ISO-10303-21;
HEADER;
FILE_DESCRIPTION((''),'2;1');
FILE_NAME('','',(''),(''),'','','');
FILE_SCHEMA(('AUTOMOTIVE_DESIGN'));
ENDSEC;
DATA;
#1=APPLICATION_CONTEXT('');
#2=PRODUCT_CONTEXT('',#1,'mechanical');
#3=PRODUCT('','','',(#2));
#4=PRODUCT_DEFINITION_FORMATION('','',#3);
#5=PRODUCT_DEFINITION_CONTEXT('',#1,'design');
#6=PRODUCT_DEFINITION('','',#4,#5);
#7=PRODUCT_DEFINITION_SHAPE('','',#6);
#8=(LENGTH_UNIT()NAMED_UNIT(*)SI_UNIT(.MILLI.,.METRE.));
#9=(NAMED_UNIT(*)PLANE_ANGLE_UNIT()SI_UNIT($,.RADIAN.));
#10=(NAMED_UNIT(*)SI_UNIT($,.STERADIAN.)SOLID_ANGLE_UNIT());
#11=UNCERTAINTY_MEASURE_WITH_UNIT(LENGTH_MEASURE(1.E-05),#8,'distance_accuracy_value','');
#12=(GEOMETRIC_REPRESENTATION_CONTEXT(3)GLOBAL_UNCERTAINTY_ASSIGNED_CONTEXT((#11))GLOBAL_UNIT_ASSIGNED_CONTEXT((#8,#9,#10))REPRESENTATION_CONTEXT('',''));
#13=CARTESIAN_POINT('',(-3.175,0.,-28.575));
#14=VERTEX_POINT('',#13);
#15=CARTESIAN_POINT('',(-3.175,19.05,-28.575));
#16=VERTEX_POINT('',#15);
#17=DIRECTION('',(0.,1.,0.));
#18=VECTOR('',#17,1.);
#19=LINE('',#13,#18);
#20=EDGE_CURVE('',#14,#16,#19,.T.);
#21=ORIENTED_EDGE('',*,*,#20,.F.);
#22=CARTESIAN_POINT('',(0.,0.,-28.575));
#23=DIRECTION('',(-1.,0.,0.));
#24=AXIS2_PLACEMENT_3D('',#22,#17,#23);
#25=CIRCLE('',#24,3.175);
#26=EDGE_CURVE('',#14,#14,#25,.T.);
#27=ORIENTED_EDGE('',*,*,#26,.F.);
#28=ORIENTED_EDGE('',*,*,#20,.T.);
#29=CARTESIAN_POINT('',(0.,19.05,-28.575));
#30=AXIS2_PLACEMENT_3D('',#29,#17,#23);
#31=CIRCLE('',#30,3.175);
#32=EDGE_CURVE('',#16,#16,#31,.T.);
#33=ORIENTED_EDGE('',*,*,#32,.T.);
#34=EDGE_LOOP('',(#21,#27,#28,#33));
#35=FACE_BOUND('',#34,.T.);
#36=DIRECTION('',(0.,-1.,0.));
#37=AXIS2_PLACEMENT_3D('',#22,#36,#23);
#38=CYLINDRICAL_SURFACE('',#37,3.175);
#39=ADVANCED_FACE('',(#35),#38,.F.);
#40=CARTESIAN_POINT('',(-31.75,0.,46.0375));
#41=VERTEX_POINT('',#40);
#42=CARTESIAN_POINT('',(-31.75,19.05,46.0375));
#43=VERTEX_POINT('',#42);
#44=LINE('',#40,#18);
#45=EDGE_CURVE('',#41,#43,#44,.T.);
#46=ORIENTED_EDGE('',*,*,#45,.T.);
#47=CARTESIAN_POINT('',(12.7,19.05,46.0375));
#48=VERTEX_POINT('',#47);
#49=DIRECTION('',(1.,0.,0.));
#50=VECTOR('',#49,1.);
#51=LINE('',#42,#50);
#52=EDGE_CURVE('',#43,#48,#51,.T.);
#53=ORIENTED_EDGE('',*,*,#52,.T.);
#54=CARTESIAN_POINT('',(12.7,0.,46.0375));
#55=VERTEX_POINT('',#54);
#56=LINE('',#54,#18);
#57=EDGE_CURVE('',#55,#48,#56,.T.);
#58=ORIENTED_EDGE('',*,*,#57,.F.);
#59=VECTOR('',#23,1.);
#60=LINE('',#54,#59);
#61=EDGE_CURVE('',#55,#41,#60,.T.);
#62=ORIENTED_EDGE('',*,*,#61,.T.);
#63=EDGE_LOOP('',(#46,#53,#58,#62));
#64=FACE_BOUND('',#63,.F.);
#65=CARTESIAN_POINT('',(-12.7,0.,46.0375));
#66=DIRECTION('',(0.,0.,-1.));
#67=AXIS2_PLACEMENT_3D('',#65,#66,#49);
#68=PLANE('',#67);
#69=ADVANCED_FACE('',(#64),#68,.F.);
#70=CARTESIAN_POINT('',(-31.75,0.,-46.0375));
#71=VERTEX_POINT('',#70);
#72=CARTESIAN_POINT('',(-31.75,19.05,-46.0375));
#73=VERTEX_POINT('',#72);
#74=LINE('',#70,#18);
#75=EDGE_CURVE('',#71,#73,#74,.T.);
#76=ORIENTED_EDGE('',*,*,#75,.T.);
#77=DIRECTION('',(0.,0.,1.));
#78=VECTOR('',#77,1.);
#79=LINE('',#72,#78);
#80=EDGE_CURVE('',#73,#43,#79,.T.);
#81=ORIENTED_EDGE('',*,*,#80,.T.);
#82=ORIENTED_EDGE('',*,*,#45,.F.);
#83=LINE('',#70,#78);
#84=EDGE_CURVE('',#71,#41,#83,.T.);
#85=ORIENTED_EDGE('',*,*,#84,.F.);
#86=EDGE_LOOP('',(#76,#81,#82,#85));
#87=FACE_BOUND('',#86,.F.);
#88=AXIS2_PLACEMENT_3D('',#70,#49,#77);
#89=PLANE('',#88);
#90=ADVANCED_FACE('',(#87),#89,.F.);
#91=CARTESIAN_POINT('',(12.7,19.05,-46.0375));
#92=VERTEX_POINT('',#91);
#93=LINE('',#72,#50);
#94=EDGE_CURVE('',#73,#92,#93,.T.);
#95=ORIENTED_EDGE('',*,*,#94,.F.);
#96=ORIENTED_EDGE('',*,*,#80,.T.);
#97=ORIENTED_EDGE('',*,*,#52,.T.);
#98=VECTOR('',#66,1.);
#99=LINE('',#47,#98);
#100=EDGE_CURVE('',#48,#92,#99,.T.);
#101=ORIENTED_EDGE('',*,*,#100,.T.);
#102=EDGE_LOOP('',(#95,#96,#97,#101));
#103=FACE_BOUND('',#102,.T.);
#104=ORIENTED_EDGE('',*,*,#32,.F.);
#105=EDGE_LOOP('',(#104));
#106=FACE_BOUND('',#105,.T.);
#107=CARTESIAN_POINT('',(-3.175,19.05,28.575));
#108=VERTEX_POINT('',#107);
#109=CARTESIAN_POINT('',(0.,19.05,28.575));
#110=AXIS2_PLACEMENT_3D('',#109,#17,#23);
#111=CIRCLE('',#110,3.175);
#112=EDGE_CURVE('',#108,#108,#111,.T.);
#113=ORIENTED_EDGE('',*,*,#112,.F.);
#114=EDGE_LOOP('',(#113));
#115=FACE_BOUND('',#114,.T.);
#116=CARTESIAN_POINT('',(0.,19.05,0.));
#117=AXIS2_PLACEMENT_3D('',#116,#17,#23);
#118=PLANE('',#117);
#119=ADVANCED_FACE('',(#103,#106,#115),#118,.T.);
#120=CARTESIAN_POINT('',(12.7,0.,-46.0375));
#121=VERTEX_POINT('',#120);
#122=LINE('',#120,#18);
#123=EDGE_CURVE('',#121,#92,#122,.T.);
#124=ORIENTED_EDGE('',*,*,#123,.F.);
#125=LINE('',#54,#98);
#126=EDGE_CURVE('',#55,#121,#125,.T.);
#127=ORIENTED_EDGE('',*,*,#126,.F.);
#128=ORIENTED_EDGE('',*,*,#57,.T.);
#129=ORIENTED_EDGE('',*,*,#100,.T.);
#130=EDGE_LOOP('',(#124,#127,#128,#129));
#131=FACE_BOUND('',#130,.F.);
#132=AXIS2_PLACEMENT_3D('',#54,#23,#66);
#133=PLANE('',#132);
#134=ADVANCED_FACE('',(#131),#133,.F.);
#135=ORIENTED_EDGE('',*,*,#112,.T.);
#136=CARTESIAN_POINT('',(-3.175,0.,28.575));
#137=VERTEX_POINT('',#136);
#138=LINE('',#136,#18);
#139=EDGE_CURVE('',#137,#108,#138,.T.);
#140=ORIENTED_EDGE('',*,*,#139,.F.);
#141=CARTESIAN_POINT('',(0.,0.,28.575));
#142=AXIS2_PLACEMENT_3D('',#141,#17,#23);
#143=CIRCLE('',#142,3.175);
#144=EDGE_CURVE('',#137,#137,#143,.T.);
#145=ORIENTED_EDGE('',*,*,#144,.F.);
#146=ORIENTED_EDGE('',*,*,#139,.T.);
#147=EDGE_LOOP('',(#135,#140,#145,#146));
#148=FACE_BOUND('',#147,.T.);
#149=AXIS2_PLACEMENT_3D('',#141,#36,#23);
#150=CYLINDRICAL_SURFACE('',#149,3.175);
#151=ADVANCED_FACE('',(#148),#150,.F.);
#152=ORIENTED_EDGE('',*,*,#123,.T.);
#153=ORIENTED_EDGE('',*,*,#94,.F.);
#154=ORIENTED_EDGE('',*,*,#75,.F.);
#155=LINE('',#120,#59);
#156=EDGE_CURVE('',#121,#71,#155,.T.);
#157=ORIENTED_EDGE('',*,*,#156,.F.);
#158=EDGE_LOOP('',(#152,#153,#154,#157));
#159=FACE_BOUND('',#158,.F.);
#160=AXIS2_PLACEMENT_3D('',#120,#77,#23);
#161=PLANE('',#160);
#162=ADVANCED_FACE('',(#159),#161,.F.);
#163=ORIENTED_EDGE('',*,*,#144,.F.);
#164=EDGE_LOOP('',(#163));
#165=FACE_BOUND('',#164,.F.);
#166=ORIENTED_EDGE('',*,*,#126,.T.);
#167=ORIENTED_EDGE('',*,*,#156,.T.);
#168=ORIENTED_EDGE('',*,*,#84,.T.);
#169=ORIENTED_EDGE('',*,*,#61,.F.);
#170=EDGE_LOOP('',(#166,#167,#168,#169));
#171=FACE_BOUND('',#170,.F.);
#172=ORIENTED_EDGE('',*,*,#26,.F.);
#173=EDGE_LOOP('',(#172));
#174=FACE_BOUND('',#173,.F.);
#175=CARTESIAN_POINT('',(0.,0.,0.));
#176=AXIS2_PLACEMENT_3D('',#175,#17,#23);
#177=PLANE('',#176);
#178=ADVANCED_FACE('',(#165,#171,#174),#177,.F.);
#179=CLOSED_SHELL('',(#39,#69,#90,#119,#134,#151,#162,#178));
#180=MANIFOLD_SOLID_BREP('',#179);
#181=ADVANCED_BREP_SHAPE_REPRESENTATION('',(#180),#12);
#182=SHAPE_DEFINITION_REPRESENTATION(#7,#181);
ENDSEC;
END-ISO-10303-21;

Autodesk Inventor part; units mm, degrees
ref_plane "YZ Plane" through (0, 0, 0) normal (1, 0, 0) x (0, 1, 0)
ref_plane "XZ Plane" through (0, 0, 0) normal (0, 1, 0) x (-1, 0, 0)
ref_plane "XY Plane" through (0, 0, 0) normal (0, 0, 1) x (1, 0, 0)
sketch "Sketch1" plane through (0, 0, 0) normal (0, 1, 0) x (-1, 0, 0)
  line L0 (12.7, 46.0375) -> (-12.7, 46.0375)
  line L1 (-12.7, 46.0375) -> (-12.7, -46.0375)
  line L2 (-12.7, -46.0375) -> (12.7, -46.0375)
  line L3 (12.7, -46.0375) -> (12.7, 46.0375)
  line L4 (12.7, 46.0375) -> (-12.7, -46.0375) construction
  line L5 (-12.7, 46.0375) -> (12.7, -46.0375) construction
  circle A0 centre (0, -28.575) radius 3.175
  line L6 (7.8828, 28.575) -> (-7.8828, 28.575) construction
  line L7 (-7.8828, 28.575) -> (-7.8828, -28.575) construction
  line L8 (-7.8828, -28.575) -> (7.8828, -28.575) construction
  line L9 (7.8828, -28.575) -> (7.8828, 28.575) construction
  line L10 (7.8828, 28.575) -> (-7.8828, -28.575) construction
  line L11 (-7.8828, 28.575) -> (7.8828, -28.575) construction
  circle A1 centre (0, 28.575) radius 3.175
  line L12 (12.7, -46.0375) -> (31.75, -46.0375)
  line L13 (31.75, -46.0375) -> (31.75, 46.0375)
  line L14 (31.75, 46.0375) -> (12.7, 46.0375)
  line L15 (12.7, 46.0375) -> (12.7, -46.0375)
  point P0 (0, 0)
  point P1 (12.7, 46.0375)
  dimension "d0" = 92.075
  dimension "d1" = 25.4
  dimension "d4" = 6.35
  dimension "d5" = 6.35
  dimension "d6" = 28.575
  dimension "d11" = 19.05
  dimension "d12" = 92.075
extrude "Extrusion1" add sketch "Sketch1" along normal blind 19.05
